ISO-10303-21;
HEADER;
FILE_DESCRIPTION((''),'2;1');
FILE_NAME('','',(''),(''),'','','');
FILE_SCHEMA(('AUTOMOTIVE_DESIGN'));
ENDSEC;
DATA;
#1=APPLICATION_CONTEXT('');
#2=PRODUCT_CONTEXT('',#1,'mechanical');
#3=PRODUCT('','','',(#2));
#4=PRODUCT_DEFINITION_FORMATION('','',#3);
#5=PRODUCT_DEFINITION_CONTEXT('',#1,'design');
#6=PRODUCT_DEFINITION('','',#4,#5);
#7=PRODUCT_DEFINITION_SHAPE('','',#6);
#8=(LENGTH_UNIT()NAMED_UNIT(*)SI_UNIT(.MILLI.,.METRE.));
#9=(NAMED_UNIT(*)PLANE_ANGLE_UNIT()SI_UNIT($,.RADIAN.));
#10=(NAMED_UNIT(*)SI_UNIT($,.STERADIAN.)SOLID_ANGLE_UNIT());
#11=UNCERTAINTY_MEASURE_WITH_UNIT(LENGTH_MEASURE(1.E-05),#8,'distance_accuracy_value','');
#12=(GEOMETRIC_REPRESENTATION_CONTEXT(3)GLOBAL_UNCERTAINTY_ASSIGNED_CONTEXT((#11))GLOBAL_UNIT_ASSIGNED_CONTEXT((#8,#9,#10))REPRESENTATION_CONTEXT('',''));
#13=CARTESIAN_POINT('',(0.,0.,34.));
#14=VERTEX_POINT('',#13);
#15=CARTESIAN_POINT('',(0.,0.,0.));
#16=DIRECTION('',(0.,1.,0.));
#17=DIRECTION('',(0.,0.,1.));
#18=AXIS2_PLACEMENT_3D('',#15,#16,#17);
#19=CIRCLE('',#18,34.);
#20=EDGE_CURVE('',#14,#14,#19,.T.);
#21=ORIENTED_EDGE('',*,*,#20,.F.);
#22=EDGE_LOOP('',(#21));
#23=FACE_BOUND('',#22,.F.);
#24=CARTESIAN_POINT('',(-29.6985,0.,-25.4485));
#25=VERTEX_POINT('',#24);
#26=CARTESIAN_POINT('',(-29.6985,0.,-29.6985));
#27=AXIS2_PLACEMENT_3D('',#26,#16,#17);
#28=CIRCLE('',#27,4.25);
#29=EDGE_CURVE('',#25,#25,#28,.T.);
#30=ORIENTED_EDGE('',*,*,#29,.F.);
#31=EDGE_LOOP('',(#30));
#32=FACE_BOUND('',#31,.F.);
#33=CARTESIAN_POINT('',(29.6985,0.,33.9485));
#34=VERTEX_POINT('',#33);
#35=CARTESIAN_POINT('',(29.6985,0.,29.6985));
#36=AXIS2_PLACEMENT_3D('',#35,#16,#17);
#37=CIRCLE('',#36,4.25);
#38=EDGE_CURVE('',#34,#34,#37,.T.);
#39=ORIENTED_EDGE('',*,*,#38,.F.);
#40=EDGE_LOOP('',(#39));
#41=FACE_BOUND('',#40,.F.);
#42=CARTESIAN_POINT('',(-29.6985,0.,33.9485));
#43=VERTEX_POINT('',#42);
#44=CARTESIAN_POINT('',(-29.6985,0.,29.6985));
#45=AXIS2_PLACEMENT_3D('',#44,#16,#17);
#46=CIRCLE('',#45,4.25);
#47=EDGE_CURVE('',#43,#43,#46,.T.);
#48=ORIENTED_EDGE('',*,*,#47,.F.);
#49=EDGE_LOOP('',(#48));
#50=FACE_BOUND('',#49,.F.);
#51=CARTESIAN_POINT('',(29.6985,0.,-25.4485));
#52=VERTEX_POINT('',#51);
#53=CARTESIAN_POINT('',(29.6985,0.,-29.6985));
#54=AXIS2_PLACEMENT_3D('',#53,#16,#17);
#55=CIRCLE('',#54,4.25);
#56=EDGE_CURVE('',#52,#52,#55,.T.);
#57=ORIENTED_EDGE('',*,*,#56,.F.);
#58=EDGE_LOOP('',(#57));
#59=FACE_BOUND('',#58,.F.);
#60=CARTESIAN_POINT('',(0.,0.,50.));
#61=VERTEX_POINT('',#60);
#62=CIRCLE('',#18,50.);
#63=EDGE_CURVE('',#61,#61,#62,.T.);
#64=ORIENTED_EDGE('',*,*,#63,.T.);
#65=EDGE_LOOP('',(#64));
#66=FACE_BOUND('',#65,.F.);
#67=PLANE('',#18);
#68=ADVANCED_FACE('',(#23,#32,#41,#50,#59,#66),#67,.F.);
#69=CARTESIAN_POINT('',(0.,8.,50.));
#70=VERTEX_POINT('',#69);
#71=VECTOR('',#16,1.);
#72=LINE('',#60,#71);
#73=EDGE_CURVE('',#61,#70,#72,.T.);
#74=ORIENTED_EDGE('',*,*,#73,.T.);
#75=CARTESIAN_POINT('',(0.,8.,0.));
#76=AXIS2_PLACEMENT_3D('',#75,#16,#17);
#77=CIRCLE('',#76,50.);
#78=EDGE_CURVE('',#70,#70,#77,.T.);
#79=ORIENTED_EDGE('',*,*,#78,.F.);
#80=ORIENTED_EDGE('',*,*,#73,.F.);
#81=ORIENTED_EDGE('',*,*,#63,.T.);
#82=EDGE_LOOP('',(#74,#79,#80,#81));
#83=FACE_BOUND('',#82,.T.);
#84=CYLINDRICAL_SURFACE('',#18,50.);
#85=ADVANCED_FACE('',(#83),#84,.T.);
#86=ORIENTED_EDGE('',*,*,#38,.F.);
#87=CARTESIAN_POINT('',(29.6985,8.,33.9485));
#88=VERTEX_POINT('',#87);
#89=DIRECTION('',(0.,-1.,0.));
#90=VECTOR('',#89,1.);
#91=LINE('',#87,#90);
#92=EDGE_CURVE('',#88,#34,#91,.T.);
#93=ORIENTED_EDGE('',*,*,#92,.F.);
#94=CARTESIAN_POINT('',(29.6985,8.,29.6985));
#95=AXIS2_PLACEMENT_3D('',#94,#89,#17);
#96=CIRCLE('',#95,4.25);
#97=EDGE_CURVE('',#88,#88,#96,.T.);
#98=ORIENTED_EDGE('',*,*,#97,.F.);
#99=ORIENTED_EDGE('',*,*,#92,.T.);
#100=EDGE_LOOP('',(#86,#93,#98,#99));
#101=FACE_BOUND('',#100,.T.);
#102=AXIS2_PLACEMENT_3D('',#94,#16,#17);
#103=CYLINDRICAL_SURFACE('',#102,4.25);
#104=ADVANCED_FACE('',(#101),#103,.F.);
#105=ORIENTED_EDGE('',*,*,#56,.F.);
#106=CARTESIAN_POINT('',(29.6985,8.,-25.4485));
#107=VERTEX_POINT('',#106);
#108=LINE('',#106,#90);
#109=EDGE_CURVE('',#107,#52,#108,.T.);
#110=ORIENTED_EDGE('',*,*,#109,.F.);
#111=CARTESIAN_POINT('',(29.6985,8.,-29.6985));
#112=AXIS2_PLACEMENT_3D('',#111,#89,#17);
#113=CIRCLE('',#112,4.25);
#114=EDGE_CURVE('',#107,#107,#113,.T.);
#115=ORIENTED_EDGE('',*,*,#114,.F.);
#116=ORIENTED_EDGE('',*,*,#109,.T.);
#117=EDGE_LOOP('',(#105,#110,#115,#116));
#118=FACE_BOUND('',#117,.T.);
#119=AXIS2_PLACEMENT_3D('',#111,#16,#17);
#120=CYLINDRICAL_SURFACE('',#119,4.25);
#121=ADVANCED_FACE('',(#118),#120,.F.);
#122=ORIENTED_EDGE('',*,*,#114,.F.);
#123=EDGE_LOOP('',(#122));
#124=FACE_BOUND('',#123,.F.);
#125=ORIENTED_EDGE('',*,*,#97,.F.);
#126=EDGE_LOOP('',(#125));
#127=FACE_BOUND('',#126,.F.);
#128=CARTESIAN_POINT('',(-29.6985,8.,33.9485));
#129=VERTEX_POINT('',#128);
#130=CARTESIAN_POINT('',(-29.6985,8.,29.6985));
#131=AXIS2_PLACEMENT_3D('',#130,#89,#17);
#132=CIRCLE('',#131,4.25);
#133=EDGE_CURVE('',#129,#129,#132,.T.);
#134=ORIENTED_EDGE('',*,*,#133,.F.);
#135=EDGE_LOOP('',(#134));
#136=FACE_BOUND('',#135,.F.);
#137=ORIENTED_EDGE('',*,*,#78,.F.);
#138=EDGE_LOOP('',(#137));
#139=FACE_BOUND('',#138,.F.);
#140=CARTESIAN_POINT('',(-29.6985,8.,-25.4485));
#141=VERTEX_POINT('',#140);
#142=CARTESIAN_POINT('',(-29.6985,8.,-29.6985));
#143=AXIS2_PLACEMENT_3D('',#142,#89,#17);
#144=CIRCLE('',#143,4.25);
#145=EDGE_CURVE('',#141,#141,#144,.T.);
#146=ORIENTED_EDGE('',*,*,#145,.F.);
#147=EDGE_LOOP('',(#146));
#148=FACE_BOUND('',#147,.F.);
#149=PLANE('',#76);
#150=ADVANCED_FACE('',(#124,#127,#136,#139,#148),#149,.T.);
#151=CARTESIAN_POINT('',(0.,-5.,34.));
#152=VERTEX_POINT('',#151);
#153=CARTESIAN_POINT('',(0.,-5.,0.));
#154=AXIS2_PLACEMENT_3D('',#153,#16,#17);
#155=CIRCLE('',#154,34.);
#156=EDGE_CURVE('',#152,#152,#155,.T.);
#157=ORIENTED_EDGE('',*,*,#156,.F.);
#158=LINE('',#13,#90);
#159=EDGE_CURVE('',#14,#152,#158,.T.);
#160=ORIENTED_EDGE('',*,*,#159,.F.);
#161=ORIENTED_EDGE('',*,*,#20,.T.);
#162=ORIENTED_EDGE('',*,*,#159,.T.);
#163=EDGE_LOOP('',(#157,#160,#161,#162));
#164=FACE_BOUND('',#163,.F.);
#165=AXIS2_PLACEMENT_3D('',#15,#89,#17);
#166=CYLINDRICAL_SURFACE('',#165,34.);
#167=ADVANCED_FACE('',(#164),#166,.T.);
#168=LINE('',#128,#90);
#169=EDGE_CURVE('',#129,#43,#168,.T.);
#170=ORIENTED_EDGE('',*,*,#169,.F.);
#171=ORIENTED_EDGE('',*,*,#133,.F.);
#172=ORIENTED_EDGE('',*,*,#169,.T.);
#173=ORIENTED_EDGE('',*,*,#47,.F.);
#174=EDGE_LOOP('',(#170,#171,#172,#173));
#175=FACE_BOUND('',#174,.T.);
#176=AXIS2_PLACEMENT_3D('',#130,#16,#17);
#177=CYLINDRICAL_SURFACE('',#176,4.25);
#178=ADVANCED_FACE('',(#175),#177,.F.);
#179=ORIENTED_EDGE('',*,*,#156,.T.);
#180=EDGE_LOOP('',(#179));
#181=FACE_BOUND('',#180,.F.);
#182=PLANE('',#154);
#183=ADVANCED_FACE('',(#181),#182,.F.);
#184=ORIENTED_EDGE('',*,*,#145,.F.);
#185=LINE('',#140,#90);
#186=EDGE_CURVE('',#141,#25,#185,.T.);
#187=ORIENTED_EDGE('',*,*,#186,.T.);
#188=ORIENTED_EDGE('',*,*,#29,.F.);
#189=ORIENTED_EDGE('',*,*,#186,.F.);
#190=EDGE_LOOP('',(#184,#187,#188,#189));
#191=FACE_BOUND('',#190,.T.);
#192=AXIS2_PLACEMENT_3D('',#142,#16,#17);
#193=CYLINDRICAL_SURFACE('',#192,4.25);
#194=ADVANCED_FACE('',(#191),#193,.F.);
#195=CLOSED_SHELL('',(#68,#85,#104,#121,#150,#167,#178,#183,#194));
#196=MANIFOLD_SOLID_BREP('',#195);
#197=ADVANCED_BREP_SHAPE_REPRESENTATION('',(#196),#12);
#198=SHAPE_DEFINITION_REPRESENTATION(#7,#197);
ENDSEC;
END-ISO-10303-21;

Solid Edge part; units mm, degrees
sketch "Sketch1" plane through (0, 0, 0) normal (1, 0, 0) x (0, 1, 0)
  line L0 (0, 50) -> (0, 34)
  line L1 (0, 34) -> (-5, 34)
  line L2 (-5, 34) -> (-5, 0)
  line L3 (-5, 0) -> (4, 0)
  line L4 (8, 0) -> (4, 0)
  line L5 (8, 34) -> (8, 0)
  line L6 (8, 34) -> (8, 50)
  line L7 (0, 50) -> (8, 50)
revolve "RevolvedProtrusion1" add sketch "Sketch1" angle 360 about axis through (0, -22.1591, 0) along (0, 1, 0)
revolve "RevolvedProtrusion2" [suppressed]
hole "Hole1" at (29.6985, 8, -29.6985) direction (0, -1, 0) diameter 8.5 end through all
hole "Hole2" at (-29.6985, 8, -29.6985) direction (0, -1, 0) diameter 8.5 end through all
hole "Hole3" at (29.6985, 8, 29.6985) direction (0, -1, 0) diameter 8.5 end through all
hole "Hole4" at (-29.6985, 8, 29.6985) direction (0, -1, 0) diameter 8.5 end through all
